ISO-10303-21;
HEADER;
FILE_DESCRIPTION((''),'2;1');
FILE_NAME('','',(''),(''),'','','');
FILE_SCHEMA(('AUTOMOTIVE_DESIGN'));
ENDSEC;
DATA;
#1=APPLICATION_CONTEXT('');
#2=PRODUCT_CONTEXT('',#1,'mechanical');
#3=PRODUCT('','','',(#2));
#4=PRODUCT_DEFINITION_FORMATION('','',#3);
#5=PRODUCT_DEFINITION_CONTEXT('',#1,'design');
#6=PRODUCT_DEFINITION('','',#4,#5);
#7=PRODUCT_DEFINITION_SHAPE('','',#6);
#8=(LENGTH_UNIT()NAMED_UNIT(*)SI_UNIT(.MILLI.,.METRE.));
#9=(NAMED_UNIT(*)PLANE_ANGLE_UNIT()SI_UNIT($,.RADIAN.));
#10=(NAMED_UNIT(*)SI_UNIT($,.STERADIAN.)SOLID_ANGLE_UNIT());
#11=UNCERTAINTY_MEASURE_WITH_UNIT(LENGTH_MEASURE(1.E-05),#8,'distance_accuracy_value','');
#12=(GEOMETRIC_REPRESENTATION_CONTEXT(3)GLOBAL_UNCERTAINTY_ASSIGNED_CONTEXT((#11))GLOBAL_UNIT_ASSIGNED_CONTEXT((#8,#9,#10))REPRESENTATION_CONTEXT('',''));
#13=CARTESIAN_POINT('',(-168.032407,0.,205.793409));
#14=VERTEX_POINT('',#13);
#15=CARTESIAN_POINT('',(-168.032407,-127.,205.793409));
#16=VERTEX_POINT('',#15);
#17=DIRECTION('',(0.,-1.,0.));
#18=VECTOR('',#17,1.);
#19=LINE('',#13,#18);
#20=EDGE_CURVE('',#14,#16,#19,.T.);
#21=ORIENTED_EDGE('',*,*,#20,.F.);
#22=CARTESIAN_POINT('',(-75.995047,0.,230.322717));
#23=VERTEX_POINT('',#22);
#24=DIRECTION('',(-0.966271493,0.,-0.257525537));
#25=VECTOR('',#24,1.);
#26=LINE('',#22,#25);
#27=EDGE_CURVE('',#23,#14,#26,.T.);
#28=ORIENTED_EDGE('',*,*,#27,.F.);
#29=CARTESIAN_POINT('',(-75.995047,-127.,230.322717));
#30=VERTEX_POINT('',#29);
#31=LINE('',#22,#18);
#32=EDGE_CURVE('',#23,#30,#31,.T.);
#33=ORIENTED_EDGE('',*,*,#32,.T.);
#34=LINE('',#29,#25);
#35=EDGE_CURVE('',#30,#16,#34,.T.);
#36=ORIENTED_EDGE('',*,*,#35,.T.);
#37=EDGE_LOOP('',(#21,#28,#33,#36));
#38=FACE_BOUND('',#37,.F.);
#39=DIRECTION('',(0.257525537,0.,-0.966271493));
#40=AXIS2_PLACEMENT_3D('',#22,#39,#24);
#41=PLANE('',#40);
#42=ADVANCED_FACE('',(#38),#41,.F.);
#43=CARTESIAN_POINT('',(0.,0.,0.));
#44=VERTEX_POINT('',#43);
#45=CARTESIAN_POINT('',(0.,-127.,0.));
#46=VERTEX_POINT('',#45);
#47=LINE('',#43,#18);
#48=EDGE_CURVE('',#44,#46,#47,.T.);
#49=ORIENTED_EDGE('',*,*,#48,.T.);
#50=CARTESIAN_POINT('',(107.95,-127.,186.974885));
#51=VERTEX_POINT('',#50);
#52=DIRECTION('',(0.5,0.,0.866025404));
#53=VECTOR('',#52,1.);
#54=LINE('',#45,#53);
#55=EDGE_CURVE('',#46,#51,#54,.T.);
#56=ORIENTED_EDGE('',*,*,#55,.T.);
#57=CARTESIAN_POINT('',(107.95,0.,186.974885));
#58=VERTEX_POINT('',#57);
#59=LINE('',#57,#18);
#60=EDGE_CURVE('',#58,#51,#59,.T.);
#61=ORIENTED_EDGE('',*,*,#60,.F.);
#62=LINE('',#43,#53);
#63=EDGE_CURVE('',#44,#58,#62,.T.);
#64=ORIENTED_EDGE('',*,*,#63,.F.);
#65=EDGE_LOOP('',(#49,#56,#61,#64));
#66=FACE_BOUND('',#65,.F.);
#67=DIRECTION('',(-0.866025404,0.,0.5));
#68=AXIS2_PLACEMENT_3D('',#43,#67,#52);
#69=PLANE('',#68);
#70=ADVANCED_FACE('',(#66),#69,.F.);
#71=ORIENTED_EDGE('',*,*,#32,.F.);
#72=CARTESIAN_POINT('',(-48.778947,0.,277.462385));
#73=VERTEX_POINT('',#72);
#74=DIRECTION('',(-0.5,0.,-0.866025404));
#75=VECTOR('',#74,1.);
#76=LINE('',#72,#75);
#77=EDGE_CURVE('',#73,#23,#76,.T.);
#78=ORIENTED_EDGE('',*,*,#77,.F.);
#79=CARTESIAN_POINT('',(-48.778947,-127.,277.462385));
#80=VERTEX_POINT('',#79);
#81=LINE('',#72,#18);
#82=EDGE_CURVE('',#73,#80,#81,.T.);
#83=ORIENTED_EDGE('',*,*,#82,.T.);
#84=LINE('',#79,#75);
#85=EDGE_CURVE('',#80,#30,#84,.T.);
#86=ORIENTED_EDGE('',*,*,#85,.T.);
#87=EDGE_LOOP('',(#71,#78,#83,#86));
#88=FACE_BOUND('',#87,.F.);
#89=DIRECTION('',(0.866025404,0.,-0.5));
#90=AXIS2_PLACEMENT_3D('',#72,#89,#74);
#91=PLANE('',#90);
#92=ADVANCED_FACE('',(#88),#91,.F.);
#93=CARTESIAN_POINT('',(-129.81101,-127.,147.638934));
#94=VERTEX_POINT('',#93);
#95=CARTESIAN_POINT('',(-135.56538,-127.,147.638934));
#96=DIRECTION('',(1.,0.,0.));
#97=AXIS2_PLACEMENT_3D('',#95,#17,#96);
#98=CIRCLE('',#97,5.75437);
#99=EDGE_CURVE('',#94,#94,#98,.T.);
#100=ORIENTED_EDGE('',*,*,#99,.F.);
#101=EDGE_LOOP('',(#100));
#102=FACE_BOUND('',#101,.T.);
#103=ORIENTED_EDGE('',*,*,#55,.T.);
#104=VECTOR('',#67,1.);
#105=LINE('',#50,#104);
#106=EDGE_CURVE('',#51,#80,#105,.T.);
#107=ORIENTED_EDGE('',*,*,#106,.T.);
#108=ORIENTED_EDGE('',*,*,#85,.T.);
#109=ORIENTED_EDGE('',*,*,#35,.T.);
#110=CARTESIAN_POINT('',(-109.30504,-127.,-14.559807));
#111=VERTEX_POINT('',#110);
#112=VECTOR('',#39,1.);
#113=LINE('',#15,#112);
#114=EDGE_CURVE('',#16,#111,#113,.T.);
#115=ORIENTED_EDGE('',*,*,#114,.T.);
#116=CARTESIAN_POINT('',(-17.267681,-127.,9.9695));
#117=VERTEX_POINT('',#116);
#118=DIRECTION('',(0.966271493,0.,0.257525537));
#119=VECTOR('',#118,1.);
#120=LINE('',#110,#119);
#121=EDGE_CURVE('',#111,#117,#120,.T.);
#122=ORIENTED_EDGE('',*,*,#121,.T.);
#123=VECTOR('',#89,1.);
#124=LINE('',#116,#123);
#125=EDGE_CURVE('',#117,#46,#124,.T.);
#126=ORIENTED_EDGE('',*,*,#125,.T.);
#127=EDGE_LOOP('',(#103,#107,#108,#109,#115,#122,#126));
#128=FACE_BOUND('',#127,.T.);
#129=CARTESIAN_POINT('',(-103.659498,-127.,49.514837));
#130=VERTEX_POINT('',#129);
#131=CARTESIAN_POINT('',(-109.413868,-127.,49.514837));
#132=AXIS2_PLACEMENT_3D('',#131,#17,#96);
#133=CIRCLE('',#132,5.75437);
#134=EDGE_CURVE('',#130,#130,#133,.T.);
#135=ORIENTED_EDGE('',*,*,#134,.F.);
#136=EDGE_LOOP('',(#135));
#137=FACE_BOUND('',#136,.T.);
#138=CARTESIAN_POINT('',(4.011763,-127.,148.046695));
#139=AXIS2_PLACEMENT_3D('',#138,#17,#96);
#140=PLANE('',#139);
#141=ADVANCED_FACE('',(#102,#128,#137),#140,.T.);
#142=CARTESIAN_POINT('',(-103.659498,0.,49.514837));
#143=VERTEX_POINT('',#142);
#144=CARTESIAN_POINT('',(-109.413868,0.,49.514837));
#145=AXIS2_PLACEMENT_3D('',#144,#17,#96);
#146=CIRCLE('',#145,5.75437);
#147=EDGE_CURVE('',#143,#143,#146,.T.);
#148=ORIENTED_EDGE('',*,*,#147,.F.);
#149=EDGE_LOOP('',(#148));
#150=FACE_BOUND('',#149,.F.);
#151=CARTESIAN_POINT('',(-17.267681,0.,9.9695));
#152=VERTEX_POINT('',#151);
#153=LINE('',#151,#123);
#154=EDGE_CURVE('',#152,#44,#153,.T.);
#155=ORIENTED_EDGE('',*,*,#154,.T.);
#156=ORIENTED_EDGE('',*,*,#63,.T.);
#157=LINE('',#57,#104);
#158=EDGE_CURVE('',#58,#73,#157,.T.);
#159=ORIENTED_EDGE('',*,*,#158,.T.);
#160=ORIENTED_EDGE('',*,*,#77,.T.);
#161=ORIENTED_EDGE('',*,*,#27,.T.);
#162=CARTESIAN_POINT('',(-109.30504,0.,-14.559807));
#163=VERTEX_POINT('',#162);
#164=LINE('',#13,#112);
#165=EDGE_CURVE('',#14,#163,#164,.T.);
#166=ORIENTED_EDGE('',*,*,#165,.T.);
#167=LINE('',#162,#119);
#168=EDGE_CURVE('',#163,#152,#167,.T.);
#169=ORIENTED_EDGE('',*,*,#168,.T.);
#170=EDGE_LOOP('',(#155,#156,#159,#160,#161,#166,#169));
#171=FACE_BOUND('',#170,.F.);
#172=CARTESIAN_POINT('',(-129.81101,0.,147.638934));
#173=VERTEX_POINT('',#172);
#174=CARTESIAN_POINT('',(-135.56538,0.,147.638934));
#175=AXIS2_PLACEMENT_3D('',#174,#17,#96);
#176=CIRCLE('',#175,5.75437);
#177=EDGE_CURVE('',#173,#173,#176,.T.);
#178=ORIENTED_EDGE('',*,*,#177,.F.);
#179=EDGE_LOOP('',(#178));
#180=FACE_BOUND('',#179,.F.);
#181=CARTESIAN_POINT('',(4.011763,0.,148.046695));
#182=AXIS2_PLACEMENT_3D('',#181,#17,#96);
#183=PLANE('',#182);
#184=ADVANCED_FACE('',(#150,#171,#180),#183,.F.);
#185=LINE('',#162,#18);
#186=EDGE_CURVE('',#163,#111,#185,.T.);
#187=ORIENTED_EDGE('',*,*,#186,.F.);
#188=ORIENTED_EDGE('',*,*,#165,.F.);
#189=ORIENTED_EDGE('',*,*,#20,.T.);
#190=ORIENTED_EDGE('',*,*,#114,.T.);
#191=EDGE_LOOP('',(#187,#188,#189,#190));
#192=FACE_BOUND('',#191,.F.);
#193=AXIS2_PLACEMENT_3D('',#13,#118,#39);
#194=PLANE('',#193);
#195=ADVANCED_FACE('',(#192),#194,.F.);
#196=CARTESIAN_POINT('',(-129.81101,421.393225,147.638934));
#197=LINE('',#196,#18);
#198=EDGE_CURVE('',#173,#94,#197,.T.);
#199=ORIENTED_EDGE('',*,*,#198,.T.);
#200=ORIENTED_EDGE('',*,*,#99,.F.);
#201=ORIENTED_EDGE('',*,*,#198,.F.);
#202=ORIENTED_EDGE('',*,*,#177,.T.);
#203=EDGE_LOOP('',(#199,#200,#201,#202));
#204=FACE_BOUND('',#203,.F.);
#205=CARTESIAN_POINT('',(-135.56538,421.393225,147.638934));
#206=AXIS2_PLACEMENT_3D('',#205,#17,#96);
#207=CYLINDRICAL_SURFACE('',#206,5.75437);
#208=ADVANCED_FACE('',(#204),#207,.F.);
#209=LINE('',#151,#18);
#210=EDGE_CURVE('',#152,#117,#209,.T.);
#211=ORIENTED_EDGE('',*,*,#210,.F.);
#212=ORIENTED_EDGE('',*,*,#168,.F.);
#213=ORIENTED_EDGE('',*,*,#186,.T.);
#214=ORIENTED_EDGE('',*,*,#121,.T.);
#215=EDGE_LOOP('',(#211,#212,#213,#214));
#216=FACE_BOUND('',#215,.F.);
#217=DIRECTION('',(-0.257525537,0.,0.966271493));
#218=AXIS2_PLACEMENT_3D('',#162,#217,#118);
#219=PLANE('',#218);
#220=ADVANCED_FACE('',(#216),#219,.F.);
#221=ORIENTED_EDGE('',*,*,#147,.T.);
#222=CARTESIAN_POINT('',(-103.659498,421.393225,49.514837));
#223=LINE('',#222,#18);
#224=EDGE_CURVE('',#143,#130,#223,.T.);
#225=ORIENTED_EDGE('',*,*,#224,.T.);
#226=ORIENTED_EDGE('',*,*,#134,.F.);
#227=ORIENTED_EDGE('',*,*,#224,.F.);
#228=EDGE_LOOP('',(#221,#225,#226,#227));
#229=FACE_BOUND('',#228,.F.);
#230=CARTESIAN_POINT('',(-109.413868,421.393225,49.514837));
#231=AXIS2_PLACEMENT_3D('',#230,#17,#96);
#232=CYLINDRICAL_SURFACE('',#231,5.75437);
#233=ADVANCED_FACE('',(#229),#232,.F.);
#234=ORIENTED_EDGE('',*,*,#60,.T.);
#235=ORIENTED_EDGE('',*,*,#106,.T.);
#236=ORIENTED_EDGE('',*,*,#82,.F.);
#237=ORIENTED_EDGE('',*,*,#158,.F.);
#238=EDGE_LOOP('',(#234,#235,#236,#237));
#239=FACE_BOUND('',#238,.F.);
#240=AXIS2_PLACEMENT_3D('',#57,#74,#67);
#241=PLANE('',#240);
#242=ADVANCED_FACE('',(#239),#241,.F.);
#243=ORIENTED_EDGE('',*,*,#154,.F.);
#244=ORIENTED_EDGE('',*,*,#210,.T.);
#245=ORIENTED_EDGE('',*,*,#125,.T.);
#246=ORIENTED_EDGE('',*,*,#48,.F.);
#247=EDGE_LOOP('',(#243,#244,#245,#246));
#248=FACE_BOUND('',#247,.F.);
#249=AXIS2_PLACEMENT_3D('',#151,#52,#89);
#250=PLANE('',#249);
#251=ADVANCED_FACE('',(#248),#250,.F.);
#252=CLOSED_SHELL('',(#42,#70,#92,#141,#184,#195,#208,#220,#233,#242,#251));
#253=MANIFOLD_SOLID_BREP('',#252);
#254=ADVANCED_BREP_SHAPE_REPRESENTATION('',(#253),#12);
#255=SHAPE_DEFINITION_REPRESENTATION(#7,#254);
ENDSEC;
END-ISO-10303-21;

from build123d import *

# Parameters (mm, degrees)
F1_DEPTH = 127
F3_D     = 11.50874


with BuildPart() as f1:
    # F0 (on Front) → F1 (new body)
    with BuildSketch(Plane.XZ):
        Polygon((-17.2676805261, 9.9695), (0, 0), (107.95, 186.9748846771), (-48.7789474499, 277.4623846771), (-75.9950474499, 230.3227166932), align=None)
        Polygon((-109.30504021, -14.5598074182), (-17.2676805261, 9.9695), (-75.9950474499, 230.3227166932), (-168.0324071338, 205.793409275), align=None)
    extrude(amount=F1_DEPTH)

    # F3 (through all)
    with Locations(Plane(origin=(0, 0, 0), x_dir=(-1, 0, 0), z_dir=(0, 1, 0))):
        with Locations((135.5653803393, 147.6389341555), (109.4138680572, 49.5148370845)):
            Hole(F3_D / 2)


solid = f1.part
